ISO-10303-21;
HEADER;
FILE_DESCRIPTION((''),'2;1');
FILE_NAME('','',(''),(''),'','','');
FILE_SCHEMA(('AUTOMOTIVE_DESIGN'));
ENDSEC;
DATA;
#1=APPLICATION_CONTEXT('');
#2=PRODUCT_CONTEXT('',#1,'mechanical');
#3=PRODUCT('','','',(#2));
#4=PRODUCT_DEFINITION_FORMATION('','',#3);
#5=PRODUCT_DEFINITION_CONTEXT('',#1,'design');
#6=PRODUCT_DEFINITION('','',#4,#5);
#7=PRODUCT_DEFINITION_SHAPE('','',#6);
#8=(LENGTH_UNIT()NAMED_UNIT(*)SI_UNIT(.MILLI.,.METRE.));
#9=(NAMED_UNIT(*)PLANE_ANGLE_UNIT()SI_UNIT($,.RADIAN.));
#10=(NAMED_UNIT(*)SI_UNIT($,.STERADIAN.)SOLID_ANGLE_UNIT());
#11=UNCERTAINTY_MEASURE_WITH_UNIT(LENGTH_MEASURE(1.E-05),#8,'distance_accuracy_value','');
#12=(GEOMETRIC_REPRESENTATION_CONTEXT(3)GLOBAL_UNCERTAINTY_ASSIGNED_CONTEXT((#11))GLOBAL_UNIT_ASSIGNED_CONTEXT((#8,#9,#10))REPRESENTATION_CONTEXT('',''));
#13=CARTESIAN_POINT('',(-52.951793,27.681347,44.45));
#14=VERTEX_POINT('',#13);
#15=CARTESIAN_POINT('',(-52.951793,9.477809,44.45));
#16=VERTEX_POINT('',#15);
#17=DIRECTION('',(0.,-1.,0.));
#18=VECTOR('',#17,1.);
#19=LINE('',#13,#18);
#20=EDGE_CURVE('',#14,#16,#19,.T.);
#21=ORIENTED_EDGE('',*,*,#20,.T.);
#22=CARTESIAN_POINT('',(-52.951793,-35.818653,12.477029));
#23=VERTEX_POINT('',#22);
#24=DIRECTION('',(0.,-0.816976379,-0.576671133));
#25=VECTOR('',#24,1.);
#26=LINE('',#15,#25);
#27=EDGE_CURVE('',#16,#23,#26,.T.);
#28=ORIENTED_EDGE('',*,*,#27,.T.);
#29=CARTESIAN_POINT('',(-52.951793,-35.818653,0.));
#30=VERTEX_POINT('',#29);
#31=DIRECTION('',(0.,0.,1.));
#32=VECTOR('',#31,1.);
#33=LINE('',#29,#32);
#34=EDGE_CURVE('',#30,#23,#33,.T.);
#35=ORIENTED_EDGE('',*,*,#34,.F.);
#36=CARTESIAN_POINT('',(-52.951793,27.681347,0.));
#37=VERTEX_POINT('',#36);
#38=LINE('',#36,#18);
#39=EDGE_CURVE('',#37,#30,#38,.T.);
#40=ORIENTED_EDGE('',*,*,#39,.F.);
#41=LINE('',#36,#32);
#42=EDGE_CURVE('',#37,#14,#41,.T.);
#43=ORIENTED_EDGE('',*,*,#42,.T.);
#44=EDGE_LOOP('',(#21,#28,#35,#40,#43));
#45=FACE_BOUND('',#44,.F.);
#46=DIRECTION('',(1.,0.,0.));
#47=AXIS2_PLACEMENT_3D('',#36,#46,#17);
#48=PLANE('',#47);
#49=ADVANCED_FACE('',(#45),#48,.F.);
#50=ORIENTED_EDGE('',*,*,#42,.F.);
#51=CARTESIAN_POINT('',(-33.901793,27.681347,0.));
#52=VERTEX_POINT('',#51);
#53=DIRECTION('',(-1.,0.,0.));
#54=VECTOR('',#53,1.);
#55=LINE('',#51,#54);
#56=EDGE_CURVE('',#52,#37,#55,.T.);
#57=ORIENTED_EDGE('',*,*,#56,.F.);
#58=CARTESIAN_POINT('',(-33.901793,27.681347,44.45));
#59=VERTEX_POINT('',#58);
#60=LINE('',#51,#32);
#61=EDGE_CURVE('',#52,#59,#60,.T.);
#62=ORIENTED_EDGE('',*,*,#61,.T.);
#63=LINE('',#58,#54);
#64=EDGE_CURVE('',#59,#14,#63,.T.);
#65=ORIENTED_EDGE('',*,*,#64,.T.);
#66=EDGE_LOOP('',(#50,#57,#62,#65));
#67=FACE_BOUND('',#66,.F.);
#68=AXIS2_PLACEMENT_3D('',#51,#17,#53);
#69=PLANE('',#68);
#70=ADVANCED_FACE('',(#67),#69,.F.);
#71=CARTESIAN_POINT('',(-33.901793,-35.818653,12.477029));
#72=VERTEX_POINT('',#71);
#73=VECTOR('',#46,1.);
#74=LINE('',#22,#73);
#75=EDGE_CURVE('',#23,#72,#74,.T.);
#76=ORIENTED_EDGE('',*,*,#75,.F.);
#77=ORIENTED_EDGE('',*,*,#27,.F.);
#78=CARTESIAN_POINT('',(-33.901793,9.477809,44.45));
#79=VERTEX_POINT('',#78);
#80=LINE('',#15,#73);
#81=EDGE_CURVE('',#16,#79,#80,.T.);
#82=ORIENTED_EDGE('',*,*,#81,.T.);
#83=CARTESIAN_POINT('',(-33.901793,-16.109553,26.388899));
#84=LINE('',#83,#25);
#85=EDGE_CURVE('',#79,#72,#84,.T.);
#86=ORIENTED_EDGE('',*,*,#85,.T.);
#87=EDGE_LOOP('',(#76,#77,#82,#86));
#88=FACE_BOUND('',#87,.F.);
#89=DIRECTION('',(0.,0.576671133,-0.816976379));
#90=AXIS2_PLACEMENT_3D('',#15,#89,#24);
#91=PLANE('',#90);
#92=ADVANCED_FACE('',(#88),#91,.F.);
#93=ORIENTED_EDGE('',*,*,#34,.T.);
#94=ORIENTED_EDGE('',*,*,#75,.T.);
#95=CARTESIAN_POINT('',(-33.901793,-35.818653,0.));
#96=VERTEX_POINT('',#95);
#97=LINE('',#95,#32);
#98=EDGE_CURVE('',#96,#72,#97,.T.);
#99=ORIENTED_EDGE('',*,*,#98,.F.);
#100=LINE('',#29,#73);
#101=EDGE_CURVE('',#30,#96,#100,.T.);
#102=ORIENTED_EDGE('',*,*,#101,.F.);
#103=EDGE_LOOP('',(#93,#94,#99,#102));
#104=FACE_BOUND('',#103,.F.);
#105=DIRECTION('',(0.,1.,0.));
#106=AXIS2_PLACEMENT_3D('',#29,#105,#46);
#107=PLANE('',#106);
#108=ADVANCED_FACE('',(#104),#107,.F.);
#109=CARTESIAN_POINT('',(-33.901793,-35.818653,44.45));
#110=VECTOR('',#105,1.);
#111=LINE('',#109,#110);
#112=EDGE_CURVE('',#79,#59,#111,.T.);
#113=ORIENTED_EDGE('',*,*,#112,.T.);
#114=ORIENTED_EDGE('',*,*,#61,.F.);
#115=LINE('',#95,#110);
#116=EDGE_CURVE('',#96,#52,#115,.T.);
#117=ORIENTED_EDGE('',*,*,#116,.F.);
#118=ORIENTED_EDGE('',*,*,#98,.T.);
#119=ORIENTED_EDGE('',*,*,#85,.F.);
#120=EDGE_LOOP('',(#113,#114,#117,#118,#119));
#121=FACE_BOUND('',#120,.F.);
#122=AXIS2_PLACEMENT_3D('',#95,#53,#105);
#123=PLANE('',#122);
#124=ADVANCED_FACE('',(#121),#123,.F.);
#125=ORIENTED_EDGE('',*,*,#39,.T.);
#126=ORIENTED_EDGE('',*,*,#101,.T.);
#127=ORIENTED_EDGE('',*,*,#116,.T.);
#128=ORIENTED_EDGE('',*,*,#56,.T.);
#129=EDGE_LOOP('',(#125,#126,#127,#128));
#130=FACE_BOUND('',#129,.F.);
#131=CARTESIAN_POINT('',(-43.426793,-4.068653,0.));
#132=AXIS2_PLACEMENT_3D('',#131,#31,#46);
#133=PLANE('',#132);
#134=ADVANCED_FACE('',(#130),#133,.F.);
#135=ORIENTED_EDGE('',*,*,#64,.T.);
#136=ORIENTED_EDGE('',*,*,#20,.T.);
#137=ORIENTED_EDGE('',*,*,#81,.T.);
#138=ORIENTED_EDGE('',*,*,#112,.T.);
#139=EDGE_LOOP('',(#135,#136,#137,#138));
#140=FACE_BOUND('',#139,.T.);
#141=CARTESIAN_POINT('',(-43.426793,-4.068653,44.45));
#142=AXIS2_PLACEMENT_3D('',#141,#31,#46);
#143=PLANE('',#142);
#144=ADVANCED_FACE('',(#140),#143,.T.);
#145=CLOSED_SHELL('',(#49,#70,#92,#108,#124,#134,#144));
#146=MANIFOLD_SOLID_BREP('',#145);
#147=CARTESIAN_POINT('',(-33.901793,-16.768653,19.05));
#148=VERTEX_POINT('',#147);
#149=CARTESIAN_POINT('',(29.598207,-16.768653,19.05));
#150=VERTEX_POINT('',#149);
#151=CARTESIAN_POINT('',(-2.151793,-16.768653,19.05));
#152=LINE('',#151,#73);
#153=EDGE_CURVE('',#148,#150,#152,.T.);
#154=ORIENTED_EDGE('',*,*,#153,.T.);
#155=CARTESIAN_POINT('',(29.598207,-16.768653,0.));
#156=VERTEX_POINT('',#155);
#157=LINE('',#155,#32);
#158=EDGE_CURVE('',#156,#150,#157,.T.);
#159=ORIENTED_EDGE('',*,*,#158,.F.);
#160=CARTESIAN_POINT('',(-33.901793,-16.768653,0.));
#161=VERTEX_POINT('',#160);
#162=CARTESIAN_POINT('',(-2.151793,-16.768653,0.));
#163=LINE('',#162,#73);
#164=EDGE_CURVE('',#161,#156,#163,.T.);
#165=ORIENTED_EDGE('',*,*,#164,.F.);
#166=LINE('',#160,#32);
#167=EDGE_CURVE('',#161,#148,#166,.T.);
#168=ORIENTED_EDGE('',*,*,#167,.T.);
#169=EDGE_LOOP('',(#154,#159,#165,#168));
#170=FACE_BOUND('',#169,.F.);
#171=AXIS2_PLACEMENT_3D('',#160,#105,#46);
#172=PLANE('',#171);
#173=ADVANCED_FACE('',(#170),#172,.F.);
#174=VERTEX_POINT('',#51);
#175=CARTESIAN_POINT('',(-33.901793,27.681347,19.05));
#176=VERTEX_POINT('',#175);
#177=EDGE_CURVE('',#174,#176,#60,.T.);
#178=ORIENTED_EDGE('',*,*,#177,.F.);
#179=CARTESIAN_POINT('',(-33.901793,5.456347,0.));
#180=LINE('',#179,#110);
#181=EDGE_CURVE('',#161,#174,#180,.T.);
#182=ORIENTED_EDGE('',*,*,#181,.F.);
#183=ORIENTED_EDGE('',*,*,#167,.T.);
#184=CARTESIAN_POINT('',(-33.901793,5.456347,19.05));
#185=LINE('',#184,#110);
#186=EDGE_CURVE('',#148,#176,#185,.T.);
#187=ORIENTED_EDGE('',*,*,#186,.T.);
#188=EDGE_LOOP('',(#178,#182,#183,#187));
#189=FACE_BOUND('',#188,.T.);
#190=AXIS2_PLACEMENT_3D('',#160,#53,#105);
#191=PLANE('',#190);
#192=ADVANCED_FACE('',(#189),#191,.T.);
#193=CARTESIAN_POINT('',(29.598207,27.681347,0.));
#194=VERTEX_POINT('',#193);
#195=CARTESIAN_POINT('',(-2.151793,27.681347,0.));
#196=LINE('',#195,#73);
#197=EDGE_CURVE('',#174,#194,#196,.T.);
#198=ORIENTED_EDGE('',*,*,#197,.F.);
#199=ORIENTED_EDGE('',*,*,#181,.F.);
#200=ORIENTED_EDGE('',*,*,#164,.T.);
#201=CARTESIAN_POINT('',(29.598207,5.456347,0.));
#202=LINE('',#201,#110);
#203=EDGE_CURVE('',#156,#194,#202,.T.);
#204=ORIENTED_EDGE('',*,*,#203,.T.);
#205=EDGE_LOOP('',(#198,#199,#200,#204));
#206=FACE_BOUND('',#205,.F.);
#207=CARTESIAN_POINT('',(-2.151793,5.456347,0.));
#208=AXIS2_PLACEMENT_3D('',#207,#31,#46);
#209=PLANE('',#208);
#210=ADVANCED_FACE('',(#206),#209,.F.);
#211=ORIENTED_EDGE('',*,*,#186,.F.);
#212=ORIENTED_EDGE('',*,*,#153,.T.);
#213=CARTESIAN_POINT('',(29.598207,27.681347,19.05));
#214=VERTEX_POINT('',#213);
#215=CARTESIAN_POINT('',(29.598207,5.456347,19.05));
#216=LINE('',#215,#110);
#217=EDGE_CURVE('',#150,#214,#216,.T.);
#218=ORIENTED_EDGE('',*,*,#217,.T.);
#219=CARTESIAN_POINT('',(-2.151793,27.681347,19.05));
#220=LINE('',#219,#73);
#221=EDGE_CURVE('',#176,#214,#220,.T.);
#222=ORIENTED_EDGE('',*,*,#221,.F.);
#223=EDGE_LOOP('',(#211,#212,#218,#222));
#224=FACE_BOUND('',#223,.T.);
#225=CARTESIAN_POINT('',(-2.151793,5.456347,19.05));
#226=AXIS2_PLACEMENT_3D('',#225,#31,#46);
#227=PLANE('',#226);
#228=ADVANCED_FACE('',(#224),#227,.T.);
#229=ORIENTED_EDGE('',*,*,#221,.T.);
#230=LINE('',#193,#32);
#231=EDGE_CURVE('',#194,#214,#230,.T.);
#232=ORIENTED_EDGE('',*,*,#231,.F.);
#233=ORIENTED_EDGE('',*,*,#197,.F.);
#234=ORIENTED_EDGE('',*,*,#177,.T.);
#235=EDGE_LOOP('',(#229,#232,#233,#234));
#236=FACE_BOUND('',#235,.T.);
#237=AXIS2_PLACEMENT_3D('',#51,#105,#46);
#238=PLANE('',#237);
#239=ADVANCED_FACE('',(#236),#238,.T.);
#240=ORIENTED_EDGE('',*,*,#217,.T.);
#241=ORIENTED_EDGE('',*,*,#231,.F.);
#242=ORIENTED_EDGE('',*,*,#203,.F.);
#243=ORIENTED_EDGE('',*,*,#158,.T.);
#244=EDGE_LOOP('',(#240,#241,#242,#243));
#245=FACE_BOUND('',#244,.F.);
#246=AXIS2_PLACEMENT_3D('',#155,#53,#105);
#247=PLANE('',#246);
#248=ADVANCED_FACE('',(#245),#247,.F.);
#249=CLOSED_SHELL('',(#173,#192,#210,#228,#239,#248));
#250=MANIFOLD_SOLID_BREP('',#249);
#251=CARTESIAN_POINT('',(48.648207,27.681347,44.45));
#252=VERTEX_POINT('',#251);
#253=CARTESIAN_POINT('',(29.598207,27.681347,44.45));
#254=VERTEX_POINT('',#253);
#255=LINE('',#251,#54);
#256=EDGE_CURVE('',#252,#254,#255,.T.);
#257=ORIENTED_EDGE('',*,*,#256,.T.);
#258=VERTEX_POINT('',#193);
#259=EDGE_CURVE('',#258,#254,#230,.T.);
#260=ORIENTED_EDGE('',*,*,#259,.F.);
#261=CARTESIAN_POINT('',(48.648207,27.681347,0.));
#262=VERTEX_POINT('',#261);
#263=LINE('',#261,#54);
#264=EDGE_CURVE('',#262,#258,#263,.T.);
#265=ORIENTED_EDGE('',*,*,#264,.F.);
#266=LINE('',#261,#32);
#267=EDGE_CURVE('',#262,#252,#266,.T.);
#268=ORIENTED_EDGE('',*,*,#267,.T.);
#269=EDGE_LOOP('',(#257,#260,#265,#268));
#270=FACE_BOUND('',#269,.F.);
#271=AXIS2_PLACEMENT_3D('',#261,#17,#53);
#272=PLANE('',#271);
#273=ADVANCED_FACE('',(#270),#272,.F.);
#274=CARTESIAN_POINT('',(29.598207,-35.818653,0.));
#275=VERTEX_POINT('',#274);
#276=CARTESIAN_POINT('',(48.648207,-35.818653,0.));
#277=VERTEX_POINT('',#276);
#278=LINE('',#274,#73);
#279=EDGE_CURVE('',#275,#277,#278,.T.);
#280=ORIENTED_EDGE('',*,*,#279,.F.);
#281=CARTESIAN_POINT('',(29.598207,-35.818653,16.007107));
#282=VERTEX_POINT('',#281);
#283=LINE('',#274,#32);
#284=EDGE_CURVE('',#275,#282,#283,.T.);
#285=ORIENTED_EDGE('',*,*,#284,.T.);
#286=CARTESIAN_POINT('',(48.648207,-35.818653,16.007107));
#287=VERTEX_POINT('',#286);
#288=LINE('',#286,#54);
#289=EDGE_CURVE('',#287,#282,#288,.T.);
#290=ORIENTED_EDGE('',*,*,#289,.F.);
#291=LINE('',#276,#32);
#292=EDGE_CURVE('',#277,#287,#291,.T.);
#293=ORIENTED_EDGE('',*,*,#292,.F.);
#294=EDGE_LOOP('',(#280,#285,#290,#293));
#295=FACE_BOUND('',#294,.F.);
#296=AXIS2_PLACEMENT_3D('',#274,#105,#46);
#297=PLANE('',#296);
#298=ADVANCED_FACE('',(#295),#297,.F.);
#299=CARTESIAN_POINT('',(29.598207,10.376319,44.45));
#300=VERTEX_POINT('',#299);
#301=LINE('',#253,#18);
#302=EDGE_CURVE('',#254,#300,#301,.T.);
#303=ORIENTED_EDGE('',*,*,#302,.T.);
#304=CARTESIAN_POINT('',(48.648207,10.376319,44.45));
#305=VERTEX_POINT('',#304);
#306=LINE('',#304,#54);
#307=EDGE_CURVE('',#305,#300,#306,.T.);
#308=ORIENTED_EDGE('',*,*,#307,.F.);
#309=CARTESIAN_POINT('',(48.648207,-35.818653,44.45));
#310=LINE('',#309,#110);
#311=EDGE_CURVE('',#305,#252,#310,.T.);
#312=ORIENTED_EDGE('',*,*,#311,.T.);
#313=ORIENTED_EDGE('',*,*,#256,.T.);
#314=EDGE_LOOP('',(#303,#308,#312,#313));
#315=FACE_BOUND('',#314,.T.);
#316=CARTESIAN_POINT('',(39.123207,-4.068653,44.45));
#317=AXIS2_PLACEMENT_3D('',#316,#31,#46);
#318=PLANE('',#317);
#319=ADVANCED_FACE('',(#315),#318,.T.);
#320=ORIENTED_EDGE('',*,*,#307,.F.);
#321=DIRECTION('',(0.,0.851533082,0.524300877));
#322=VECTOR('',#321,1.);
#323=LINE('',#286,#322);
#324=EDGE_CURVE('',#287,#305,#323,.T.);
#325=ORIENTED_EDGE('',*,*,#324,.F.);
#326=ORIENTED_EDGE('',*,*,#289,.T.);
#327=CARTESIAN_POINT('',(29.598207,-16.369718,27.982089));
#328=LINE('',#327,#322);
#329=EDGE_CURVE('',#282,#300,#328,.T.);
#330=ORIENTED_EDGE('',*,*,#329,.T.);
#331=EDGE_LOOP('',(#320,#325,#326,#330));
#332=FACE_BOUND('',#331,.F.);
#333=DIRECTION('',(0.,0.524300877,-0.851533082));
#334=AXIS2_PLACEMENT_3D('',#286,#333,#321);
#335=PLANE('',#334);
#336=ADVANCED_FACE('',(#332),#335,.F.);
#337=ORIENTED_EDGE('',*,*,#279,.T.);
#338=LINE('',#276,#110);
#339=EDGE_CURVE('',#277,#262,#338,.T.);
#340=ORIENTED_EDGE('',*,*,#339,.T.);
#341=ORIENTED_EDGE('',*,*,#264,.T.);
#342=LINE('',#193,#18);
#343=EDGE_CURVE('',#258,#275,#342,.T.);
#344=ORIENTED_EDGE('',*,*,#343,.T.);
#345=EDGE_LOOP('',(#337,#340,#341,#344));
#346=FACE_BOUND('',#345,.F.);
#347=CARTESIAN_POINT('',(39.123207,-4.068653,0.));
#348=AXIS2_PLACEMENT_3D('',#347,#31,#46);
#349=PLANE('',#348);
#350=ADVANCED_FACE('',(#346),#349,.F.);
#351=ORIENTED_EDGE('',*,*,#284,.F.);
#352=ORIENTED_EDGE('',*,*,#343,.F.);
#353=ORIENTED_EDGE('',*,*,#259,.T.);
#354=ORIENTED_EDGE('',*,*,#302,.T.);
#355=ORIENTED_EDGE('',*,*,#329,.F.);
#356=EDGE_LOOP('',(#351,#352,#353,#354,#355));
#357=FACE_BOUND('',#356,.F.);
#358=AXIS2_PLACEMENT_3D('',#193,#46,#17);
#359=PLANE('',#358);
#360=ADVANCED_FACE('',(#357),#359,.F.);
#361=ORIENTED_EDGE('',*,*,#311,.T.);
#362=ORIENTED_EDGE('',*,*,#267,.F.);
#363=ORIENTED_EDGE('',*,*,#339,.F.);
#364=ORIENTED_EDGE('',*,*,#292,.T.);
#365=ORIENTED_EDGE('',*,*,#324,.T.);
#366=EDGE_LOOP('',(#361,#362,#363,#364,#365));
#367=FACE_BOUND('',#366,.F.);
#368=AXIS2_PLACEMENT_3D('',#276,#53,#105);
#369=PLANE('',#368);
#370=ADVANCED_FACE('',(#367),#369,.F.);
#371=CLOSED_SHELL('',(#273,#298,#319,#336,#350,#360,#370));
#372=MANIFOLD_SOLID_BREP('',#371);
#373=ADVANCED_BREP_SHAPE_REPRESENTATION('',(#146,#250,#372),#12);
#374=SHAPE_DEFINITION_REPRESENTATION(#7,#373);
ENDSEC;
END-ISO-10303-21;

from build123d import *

# Parameters (mm, degrees)
F1_DEPTH = 44.45
F0_W     = 63.5
F0_H     = 44.45
F2_DEPTH = 19.05
F4_DEPTH = 25.4
F6_DEPTH = 25.4


with BuildPart() as f1:
    # F0 (on Top) → F1 (new body)
    with BuildSketch(Plane.XY):
        Polygon((48.648207, 27.681347), (29.598207, 27.681347), (29.598207, -16.768653), (29.598207, -35.818653), (48.648207, -35.818653), align=None)
        Polygon((-33.901793, -16.768653), (-33.901793, 27.681347), (-52.951793, 27.681347), (-52.951793, -35.818653), (-33.901793, -35.818653), align=None)
    extrude(amount=F1_DEPTH)

    # F3 (on face) → F4 (cut)
    with BuildSketch(Plane(origin=(-52.951793, 0, 0), x_dir=(0, -1, 0), z_dir=(-1, 0, 0))):
        Polygon((-9.477809, 44.45), (35.818653, 12.477029), (35.818653, 44.45), align=None)
    extrude(amount=-F4_DEPTH, mode=Mode.SUBTRACT)

    # F5 (on face) → F6 (cut)
    with BuildSketch(Plane.YZ.offset(48.648207)):
        Polygon((-35.818653, 44.45), (-35.818653, 16.007107), (10.376319, 44.45), align=None)
    extrude(amount=-F6_DEPTH, mode=Mode.SUBTRACT)


with BuildPart() as f2:
    # F0 (on Top) → F2 (new body)
    with BuildSketch(Plane.XY):
        with Locations((-2.151793, 5.456347)):
            Rectangle(F0_W, F0_H)
    extrude(amount=F2_DEPTH)


solid = Compound([f1.part, f2.part])
